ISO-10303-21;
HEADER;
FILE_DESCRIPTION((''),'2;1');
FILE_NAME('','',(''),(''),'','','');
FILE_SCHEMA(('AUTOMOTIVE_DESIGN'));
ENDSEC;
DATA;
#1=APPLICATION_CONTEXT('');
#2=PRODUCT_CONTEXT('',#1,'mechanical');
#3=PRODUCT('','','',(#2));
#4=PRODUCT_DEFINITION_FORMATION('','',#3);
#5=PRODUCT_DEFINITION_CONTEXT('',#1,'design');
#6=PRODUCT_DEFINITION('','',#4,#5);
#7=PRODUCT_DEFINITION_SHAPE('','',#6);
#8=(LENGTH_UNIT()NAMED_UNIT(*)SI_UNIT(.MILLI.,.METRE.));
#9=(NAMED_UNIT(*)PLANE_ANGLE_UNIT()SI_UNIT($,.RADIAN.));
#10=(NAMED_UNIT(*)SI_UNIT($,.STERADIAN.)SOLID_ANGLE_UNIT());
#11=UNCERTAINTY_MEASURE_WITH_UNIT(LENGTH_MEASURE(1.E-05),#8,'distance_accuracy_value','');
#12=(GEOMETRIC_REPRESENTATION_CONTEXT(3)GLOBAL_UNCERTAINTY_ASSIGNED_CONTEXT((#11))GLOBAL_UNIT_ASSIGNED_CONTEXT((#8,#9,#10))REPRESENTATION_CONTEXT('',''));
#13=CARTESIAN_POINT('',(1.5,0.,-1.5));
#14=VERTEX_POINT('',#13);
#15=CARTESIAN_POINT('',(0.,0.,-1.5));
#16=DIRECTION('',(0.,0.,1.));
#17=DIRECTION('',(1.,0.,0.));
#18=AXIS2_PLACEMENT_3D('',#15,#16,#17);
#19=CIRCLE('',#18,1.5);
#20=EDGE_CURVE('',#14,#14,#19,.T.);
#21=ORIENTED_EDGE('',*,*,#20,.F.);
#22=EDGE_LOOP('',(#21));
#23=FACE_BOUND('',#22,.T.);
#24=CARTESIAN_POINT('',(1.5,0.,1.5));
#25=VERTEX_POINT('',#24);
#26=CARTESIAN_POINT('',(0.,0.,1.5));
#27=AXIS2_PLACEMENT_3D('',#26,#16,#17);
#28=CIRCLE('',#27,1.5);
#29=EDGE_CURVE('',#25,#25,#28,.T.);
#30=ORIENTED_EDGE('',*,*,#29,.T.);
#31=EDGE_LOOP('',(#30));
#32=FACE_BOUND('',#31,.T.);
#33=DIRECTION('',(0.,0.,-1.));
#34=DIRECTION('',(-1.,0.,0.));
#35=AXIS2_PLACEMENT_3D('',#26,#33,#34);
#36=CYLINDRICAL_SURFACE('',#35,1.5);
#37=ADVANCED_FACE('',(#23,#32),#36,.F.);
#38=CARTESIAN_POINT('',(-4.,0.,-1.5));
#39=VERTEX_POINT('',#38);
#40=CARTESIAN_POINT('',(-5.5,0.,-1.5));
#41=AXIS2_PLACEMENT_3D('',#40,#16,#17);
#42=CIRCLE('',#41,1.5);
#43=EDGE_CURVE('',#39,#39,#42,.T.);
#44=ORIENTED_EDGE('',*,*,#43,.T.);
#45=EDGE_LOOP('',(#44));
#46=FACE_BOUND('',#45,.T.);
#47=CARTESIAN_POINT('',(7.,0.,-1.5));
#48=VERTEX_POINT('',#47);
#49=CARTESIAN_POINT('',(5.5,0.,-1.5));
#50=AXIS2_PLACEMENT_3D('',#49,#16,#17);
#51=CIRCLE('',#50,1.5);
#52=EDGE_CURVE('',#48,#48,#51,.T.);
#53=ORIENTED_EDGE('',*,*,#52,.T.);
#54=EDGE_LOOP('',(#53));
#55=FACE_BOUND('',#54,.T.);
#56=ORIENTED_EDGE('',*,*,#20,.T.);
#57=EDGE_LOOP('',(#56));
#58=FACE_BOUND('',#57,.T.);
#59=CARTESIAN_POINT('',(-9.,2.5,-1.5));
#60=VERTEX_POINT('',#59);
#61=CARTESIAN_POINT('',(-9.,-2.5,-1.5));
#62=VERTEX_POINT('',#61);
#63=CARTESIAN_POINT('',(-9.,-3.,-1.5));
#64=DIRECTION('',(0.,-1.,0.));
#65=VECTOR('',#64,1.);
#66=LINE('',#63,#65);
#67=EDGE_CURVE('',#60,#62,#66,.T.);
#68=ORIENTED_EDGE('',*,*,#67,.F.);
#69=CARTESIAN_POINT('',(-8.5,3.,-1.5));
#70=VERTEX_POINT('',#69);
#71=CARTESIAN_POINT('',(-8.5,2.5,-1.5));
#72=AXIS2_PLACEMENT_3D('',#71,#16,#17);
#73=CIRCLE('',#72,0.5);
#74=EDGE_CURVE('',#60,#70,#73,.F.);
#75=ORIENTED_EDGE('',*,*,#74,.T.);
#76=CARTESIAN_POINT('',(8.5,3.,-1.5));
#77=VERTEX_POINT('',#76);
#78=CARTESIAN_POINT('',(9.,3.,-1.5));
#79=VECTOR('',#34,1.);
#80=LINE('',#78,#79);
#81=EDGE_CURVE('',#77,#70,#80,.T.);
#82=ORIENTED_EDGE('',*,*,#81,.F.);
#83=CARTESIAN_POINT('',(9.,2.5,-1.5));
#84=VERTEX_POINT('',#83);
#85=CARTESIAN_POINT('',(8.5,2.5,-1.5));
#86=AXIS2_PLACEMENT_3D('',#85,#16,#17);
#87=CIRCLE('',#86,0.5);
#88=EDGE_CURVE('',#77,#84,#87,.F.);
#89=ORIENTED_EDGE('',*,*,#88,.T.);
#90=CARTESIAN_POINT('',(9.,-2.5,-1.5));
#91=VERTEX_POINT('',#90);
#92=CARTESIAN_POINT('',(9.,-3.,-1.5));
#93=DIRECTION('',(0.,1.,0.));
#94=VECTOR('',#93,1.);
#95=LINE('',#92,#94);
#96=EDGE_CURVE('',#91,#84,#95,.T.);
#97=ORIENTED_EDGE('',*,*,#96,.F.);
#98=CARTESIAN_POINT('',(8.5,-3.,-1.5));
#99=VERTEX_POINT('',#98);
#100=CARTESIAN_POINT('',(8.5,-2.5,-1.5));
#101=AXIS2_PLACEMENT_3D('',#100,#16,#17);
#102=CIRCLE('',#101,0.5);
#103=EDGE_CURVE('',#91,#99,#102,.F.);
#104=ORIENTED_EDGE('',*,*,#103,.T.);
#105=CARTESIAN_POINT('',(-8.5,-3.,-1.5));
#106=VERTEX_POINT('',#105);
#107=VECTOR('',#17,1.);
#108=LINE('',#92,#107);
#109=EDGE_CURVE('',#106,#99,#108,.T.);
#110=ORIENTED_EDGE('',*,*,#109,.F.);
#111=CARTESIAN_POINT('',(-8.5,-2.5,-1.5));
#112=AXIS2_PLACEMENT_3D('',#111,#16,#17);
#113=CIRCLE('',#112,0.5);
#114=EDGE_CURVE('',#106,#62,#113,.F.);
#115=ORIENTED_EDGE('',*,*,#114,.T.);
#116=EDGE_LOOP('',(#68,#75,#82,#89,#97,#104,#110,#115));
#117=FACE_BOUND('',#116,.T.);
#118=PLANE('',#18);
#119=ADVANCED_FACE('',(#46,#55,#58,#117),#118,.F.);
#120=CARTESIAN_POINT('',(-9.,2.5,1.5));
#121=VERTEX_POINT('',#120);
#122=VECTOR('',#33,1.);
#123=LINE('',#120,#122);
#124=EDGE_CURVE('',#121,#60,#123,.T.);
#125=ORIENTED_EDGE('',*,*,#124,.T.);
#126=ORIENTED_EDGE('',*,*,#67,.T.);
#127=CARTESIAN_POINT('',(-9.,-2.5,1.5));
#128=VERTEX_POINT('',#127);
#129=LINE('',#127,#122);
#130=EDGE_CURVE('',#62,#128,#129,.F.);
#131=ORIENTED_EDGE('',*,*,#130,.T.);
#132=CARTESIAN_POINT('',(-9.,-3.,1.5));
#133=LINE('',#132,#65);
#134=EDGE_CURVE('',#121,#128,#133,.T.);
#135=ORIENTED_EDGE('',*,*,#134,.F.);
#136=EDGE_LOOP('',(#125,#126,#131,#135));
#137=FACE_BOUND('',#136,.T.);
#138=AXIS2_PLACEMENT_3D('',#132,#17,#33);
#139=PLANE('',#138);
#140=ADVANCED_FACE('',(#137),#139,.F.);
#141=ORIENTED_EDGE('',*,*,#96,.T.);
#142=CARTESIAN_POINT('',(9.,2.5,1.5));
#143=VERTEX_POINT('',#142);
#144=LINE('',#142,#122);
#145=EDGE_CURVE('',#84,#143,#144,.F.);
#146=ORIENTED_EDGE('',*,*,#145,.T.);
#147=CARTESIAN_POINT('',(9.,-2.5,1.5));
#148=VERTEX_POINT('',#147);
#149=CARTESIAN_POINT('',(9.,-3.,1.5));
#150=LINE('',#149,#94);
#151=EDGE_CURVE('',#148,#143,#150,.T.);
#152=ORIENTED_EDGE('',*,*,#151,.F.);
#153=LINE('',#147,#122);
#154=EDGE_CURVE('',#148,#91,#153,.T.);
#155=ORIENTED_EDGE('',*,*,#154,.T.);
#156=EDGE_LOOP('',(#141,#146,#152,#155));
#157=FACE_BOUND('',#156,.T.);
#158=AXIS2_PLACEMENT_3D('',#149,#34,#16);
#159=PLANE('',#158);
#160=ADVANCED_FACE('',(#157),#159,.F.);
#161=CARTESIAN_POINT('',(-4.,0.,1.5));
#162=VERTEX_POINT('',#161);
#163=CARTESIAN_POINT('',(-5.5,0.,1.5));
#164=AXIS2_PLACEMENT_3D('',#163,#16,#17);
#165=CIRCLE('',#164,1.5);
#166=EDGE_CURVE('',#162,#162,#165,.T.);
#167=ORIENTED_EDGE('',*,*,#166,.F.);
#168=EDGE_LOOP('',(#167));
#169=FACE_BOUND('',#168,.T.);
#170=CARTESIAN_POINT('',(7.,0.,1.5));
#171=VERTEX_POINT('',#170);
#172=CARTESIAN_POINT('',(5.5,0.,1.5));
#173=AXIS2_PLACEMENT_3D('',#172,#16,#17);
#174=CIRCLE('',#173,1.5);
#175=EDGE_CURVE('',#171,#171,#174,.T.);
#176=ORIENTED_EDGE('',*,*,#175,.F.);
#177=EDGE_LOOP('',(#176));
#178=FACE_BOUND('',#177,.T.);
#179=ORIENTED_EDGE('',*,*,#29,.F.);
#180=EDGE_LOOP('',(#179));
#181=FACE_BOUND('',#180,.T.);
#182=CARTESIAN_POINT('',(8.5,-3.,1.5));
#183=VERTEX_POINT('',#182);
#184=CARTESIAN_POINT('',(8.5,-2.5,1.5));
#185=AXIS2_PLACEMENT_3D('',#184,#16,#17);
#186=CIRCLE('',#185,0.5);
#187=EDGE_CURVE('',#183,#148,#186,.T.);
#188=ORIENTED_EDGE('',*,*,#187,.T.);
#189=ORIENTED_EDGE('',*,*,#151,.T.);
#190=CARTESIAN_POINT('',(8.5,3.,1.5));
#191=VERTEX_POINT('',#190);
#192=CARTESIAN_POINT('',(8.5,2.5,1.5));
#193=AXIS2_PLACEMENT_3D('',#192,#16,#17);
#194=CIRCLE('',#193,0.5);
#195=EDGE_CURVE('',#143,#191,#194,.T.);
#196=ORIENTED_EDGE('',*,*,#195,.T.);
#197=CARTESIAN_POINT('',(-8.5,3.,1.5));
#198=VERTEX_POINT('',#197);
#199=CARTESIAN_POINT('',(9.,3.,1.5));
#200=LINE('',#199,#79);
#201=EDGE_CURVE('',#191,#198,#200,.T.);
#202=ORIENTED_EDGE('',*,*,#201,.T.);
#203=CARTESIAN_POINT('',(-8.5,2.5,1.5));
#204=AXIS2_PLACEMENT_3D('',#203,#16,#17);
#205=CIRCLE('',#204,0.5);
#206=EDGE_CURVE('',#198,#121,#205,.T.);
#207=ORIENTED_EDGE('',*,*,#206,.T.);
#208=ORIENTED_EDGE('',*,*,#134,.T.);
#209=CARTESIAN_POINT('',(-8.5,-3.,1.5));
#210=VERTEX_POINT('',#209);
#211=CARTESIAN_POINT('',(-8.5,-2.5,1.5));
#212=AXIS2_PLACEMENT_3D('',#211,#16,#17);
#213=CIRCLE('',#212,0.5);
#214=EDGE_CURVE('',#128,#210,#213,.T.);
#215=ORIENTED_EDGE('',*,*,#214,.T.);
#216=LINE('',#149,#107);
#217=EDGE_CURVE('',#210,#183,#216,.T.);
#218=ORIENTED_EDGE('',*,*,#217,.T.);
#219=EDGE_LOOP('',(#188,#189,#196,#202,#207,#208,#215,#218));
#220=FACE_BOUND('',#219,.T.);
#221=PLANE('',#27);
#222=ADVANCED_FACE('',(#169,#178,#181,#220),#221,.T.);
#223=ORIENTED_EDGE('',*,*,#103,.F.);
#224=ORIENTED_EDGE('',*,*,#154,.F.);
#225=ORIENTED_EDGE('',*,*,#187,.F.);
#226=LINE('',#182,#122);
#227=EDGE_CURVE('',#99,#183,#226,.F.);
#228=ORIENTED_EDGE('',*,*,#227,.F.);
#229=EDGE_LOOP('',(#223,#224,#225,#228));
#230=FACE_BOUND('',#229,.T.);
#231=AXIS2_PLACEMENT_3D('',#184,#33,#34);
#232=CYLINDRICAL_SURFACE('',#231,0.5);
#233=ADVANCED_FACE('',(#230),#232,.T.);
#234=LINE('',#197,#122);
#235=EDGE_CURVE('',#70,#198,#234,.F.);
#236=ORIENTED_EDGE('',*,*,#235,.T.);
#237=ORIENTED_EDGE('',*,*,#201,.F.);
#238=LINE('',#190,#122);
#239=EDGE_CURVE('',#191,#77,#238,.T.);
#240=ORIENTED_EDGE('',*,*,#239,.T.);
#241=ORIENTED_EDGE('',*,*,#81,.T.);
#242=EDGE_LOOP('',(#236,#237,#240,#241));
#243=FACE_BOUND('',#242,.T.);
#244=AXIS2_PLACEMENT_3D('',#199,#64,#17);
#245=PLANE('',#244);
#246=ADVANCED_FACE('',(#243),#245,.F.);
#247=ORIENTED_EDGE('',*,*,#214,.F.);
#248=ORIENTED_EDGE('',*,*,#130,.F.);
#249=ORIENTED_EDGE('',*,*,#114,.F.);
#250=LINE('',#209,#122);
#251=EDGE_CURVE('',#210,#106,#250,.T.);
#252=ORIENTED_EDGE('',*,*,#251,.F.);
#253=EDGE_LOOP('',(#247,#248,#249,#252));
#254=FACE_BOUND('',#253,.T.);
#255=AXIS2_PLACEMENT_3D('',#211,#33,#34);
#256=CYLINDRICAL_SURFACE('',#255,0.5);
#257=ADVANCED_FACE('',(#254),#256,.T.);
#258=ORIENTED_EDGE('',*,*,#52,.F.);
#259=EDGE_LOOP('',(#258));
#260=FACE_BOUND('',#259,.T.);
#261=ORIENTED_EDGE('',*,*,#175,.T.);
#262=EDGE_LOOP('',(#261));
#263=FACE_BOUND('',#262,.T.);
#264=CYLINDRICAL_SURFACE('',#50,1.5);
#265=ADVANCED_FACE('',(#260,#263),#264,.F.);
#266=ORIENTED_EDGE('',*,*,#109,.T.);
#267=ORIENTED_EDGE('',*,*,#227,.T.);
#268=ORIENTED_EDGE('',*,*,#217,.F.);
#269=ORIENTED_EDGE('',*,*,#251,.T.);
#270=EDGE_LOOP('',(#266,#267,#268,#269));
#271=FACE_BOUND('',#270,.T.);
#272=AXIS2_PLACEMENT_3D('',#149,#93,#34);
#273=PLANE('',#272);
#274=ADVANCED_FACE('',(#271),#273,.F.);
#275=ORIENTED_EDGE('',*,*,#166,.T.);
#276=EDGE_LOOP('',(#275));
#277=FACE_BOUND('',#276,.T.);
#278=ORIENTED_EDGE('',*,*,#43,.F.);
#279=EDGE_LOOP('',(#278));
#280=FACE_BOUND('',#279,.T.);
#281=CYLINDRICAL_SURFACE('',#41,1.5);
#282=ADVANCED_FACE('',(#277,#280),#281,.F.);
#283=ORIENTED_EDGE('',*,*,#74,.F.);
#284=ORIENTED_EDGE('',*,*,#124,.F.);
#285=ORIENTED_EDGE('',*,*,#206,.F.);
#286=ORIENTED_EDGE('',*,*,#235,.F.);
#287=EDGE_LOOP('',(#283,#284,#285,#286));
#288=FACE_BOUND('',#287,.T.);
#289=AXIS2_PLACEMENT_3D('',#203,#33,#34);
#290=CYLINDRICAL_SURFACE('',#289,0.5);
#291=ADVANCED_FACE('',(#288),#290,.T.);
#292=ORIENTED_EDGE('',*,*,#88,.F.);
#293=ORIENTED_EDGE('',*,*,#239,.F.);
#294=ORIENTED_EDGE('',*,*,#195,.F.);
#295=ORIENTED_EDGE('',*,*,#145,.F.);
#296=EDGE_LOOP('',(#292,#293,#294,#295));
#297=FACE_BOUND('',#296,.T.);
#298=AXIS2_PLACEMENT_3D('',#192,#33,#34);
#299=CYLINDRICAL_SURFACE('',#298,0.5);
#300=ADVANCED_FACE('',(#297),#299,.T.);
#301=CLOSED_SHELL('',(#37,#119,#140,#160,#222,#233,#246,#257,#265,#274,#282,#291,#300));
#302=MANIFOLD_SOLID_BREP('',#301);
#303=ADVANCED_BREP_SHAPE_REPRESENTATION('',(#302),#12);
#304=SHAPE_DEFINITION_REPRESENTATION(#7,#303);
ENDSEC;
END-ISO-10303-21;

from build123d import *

# Parameters (mm, degrees)
SKETCH_1_W          = 18
SKETCH_1_H          = 6
SKETCH_1_R          = 1.5
EXTRUDE_1_DEPTH     = 1.5
SKETCH_2_R          = 1.5
CUT_EXTRUDE_1_DEPTH = 10.949874371
FILLET_1_R          = 0.5


with BuildPart() as part:
    # 草图1 → 凸台-拉伸1 (new, symmetric)
    with BuildSketch(Plane.XY):
        Rectangle(SKETCH_1_W, SKETCH_1_H)
        Circle(SKETCH_1_R, mode=Mode.SUBTRACT)
    extrude(amount=EXTRUDE_1_DEPTH, both=True)

    # 草图2 → 切除-拉伸1 (cut, through all)
    with BuildSketch(Plane.XY.offset(1.5)):
        with Locations((-5.5, 0)):
            Circle(SKETCH_2_R)
        with Locations((5.5, 0)):
            Circle(SKETCH_2_R)
    extrude(amount=-CUT_EXTRUDE_1_DEPTH, mode=Mode.SUBTRACT)

    # 圆角1
    fillet_1_edges = [part.edges().sort_by_distance(p)[0] for p in [
        (-9, 3, 0),
        (9, 3, 0),
        (9, -3, 0),
        (-9, -3, 0),
    ]]
    fillet(fillet_1_edges, radius=FILLET_1_R)


solid = part.part
